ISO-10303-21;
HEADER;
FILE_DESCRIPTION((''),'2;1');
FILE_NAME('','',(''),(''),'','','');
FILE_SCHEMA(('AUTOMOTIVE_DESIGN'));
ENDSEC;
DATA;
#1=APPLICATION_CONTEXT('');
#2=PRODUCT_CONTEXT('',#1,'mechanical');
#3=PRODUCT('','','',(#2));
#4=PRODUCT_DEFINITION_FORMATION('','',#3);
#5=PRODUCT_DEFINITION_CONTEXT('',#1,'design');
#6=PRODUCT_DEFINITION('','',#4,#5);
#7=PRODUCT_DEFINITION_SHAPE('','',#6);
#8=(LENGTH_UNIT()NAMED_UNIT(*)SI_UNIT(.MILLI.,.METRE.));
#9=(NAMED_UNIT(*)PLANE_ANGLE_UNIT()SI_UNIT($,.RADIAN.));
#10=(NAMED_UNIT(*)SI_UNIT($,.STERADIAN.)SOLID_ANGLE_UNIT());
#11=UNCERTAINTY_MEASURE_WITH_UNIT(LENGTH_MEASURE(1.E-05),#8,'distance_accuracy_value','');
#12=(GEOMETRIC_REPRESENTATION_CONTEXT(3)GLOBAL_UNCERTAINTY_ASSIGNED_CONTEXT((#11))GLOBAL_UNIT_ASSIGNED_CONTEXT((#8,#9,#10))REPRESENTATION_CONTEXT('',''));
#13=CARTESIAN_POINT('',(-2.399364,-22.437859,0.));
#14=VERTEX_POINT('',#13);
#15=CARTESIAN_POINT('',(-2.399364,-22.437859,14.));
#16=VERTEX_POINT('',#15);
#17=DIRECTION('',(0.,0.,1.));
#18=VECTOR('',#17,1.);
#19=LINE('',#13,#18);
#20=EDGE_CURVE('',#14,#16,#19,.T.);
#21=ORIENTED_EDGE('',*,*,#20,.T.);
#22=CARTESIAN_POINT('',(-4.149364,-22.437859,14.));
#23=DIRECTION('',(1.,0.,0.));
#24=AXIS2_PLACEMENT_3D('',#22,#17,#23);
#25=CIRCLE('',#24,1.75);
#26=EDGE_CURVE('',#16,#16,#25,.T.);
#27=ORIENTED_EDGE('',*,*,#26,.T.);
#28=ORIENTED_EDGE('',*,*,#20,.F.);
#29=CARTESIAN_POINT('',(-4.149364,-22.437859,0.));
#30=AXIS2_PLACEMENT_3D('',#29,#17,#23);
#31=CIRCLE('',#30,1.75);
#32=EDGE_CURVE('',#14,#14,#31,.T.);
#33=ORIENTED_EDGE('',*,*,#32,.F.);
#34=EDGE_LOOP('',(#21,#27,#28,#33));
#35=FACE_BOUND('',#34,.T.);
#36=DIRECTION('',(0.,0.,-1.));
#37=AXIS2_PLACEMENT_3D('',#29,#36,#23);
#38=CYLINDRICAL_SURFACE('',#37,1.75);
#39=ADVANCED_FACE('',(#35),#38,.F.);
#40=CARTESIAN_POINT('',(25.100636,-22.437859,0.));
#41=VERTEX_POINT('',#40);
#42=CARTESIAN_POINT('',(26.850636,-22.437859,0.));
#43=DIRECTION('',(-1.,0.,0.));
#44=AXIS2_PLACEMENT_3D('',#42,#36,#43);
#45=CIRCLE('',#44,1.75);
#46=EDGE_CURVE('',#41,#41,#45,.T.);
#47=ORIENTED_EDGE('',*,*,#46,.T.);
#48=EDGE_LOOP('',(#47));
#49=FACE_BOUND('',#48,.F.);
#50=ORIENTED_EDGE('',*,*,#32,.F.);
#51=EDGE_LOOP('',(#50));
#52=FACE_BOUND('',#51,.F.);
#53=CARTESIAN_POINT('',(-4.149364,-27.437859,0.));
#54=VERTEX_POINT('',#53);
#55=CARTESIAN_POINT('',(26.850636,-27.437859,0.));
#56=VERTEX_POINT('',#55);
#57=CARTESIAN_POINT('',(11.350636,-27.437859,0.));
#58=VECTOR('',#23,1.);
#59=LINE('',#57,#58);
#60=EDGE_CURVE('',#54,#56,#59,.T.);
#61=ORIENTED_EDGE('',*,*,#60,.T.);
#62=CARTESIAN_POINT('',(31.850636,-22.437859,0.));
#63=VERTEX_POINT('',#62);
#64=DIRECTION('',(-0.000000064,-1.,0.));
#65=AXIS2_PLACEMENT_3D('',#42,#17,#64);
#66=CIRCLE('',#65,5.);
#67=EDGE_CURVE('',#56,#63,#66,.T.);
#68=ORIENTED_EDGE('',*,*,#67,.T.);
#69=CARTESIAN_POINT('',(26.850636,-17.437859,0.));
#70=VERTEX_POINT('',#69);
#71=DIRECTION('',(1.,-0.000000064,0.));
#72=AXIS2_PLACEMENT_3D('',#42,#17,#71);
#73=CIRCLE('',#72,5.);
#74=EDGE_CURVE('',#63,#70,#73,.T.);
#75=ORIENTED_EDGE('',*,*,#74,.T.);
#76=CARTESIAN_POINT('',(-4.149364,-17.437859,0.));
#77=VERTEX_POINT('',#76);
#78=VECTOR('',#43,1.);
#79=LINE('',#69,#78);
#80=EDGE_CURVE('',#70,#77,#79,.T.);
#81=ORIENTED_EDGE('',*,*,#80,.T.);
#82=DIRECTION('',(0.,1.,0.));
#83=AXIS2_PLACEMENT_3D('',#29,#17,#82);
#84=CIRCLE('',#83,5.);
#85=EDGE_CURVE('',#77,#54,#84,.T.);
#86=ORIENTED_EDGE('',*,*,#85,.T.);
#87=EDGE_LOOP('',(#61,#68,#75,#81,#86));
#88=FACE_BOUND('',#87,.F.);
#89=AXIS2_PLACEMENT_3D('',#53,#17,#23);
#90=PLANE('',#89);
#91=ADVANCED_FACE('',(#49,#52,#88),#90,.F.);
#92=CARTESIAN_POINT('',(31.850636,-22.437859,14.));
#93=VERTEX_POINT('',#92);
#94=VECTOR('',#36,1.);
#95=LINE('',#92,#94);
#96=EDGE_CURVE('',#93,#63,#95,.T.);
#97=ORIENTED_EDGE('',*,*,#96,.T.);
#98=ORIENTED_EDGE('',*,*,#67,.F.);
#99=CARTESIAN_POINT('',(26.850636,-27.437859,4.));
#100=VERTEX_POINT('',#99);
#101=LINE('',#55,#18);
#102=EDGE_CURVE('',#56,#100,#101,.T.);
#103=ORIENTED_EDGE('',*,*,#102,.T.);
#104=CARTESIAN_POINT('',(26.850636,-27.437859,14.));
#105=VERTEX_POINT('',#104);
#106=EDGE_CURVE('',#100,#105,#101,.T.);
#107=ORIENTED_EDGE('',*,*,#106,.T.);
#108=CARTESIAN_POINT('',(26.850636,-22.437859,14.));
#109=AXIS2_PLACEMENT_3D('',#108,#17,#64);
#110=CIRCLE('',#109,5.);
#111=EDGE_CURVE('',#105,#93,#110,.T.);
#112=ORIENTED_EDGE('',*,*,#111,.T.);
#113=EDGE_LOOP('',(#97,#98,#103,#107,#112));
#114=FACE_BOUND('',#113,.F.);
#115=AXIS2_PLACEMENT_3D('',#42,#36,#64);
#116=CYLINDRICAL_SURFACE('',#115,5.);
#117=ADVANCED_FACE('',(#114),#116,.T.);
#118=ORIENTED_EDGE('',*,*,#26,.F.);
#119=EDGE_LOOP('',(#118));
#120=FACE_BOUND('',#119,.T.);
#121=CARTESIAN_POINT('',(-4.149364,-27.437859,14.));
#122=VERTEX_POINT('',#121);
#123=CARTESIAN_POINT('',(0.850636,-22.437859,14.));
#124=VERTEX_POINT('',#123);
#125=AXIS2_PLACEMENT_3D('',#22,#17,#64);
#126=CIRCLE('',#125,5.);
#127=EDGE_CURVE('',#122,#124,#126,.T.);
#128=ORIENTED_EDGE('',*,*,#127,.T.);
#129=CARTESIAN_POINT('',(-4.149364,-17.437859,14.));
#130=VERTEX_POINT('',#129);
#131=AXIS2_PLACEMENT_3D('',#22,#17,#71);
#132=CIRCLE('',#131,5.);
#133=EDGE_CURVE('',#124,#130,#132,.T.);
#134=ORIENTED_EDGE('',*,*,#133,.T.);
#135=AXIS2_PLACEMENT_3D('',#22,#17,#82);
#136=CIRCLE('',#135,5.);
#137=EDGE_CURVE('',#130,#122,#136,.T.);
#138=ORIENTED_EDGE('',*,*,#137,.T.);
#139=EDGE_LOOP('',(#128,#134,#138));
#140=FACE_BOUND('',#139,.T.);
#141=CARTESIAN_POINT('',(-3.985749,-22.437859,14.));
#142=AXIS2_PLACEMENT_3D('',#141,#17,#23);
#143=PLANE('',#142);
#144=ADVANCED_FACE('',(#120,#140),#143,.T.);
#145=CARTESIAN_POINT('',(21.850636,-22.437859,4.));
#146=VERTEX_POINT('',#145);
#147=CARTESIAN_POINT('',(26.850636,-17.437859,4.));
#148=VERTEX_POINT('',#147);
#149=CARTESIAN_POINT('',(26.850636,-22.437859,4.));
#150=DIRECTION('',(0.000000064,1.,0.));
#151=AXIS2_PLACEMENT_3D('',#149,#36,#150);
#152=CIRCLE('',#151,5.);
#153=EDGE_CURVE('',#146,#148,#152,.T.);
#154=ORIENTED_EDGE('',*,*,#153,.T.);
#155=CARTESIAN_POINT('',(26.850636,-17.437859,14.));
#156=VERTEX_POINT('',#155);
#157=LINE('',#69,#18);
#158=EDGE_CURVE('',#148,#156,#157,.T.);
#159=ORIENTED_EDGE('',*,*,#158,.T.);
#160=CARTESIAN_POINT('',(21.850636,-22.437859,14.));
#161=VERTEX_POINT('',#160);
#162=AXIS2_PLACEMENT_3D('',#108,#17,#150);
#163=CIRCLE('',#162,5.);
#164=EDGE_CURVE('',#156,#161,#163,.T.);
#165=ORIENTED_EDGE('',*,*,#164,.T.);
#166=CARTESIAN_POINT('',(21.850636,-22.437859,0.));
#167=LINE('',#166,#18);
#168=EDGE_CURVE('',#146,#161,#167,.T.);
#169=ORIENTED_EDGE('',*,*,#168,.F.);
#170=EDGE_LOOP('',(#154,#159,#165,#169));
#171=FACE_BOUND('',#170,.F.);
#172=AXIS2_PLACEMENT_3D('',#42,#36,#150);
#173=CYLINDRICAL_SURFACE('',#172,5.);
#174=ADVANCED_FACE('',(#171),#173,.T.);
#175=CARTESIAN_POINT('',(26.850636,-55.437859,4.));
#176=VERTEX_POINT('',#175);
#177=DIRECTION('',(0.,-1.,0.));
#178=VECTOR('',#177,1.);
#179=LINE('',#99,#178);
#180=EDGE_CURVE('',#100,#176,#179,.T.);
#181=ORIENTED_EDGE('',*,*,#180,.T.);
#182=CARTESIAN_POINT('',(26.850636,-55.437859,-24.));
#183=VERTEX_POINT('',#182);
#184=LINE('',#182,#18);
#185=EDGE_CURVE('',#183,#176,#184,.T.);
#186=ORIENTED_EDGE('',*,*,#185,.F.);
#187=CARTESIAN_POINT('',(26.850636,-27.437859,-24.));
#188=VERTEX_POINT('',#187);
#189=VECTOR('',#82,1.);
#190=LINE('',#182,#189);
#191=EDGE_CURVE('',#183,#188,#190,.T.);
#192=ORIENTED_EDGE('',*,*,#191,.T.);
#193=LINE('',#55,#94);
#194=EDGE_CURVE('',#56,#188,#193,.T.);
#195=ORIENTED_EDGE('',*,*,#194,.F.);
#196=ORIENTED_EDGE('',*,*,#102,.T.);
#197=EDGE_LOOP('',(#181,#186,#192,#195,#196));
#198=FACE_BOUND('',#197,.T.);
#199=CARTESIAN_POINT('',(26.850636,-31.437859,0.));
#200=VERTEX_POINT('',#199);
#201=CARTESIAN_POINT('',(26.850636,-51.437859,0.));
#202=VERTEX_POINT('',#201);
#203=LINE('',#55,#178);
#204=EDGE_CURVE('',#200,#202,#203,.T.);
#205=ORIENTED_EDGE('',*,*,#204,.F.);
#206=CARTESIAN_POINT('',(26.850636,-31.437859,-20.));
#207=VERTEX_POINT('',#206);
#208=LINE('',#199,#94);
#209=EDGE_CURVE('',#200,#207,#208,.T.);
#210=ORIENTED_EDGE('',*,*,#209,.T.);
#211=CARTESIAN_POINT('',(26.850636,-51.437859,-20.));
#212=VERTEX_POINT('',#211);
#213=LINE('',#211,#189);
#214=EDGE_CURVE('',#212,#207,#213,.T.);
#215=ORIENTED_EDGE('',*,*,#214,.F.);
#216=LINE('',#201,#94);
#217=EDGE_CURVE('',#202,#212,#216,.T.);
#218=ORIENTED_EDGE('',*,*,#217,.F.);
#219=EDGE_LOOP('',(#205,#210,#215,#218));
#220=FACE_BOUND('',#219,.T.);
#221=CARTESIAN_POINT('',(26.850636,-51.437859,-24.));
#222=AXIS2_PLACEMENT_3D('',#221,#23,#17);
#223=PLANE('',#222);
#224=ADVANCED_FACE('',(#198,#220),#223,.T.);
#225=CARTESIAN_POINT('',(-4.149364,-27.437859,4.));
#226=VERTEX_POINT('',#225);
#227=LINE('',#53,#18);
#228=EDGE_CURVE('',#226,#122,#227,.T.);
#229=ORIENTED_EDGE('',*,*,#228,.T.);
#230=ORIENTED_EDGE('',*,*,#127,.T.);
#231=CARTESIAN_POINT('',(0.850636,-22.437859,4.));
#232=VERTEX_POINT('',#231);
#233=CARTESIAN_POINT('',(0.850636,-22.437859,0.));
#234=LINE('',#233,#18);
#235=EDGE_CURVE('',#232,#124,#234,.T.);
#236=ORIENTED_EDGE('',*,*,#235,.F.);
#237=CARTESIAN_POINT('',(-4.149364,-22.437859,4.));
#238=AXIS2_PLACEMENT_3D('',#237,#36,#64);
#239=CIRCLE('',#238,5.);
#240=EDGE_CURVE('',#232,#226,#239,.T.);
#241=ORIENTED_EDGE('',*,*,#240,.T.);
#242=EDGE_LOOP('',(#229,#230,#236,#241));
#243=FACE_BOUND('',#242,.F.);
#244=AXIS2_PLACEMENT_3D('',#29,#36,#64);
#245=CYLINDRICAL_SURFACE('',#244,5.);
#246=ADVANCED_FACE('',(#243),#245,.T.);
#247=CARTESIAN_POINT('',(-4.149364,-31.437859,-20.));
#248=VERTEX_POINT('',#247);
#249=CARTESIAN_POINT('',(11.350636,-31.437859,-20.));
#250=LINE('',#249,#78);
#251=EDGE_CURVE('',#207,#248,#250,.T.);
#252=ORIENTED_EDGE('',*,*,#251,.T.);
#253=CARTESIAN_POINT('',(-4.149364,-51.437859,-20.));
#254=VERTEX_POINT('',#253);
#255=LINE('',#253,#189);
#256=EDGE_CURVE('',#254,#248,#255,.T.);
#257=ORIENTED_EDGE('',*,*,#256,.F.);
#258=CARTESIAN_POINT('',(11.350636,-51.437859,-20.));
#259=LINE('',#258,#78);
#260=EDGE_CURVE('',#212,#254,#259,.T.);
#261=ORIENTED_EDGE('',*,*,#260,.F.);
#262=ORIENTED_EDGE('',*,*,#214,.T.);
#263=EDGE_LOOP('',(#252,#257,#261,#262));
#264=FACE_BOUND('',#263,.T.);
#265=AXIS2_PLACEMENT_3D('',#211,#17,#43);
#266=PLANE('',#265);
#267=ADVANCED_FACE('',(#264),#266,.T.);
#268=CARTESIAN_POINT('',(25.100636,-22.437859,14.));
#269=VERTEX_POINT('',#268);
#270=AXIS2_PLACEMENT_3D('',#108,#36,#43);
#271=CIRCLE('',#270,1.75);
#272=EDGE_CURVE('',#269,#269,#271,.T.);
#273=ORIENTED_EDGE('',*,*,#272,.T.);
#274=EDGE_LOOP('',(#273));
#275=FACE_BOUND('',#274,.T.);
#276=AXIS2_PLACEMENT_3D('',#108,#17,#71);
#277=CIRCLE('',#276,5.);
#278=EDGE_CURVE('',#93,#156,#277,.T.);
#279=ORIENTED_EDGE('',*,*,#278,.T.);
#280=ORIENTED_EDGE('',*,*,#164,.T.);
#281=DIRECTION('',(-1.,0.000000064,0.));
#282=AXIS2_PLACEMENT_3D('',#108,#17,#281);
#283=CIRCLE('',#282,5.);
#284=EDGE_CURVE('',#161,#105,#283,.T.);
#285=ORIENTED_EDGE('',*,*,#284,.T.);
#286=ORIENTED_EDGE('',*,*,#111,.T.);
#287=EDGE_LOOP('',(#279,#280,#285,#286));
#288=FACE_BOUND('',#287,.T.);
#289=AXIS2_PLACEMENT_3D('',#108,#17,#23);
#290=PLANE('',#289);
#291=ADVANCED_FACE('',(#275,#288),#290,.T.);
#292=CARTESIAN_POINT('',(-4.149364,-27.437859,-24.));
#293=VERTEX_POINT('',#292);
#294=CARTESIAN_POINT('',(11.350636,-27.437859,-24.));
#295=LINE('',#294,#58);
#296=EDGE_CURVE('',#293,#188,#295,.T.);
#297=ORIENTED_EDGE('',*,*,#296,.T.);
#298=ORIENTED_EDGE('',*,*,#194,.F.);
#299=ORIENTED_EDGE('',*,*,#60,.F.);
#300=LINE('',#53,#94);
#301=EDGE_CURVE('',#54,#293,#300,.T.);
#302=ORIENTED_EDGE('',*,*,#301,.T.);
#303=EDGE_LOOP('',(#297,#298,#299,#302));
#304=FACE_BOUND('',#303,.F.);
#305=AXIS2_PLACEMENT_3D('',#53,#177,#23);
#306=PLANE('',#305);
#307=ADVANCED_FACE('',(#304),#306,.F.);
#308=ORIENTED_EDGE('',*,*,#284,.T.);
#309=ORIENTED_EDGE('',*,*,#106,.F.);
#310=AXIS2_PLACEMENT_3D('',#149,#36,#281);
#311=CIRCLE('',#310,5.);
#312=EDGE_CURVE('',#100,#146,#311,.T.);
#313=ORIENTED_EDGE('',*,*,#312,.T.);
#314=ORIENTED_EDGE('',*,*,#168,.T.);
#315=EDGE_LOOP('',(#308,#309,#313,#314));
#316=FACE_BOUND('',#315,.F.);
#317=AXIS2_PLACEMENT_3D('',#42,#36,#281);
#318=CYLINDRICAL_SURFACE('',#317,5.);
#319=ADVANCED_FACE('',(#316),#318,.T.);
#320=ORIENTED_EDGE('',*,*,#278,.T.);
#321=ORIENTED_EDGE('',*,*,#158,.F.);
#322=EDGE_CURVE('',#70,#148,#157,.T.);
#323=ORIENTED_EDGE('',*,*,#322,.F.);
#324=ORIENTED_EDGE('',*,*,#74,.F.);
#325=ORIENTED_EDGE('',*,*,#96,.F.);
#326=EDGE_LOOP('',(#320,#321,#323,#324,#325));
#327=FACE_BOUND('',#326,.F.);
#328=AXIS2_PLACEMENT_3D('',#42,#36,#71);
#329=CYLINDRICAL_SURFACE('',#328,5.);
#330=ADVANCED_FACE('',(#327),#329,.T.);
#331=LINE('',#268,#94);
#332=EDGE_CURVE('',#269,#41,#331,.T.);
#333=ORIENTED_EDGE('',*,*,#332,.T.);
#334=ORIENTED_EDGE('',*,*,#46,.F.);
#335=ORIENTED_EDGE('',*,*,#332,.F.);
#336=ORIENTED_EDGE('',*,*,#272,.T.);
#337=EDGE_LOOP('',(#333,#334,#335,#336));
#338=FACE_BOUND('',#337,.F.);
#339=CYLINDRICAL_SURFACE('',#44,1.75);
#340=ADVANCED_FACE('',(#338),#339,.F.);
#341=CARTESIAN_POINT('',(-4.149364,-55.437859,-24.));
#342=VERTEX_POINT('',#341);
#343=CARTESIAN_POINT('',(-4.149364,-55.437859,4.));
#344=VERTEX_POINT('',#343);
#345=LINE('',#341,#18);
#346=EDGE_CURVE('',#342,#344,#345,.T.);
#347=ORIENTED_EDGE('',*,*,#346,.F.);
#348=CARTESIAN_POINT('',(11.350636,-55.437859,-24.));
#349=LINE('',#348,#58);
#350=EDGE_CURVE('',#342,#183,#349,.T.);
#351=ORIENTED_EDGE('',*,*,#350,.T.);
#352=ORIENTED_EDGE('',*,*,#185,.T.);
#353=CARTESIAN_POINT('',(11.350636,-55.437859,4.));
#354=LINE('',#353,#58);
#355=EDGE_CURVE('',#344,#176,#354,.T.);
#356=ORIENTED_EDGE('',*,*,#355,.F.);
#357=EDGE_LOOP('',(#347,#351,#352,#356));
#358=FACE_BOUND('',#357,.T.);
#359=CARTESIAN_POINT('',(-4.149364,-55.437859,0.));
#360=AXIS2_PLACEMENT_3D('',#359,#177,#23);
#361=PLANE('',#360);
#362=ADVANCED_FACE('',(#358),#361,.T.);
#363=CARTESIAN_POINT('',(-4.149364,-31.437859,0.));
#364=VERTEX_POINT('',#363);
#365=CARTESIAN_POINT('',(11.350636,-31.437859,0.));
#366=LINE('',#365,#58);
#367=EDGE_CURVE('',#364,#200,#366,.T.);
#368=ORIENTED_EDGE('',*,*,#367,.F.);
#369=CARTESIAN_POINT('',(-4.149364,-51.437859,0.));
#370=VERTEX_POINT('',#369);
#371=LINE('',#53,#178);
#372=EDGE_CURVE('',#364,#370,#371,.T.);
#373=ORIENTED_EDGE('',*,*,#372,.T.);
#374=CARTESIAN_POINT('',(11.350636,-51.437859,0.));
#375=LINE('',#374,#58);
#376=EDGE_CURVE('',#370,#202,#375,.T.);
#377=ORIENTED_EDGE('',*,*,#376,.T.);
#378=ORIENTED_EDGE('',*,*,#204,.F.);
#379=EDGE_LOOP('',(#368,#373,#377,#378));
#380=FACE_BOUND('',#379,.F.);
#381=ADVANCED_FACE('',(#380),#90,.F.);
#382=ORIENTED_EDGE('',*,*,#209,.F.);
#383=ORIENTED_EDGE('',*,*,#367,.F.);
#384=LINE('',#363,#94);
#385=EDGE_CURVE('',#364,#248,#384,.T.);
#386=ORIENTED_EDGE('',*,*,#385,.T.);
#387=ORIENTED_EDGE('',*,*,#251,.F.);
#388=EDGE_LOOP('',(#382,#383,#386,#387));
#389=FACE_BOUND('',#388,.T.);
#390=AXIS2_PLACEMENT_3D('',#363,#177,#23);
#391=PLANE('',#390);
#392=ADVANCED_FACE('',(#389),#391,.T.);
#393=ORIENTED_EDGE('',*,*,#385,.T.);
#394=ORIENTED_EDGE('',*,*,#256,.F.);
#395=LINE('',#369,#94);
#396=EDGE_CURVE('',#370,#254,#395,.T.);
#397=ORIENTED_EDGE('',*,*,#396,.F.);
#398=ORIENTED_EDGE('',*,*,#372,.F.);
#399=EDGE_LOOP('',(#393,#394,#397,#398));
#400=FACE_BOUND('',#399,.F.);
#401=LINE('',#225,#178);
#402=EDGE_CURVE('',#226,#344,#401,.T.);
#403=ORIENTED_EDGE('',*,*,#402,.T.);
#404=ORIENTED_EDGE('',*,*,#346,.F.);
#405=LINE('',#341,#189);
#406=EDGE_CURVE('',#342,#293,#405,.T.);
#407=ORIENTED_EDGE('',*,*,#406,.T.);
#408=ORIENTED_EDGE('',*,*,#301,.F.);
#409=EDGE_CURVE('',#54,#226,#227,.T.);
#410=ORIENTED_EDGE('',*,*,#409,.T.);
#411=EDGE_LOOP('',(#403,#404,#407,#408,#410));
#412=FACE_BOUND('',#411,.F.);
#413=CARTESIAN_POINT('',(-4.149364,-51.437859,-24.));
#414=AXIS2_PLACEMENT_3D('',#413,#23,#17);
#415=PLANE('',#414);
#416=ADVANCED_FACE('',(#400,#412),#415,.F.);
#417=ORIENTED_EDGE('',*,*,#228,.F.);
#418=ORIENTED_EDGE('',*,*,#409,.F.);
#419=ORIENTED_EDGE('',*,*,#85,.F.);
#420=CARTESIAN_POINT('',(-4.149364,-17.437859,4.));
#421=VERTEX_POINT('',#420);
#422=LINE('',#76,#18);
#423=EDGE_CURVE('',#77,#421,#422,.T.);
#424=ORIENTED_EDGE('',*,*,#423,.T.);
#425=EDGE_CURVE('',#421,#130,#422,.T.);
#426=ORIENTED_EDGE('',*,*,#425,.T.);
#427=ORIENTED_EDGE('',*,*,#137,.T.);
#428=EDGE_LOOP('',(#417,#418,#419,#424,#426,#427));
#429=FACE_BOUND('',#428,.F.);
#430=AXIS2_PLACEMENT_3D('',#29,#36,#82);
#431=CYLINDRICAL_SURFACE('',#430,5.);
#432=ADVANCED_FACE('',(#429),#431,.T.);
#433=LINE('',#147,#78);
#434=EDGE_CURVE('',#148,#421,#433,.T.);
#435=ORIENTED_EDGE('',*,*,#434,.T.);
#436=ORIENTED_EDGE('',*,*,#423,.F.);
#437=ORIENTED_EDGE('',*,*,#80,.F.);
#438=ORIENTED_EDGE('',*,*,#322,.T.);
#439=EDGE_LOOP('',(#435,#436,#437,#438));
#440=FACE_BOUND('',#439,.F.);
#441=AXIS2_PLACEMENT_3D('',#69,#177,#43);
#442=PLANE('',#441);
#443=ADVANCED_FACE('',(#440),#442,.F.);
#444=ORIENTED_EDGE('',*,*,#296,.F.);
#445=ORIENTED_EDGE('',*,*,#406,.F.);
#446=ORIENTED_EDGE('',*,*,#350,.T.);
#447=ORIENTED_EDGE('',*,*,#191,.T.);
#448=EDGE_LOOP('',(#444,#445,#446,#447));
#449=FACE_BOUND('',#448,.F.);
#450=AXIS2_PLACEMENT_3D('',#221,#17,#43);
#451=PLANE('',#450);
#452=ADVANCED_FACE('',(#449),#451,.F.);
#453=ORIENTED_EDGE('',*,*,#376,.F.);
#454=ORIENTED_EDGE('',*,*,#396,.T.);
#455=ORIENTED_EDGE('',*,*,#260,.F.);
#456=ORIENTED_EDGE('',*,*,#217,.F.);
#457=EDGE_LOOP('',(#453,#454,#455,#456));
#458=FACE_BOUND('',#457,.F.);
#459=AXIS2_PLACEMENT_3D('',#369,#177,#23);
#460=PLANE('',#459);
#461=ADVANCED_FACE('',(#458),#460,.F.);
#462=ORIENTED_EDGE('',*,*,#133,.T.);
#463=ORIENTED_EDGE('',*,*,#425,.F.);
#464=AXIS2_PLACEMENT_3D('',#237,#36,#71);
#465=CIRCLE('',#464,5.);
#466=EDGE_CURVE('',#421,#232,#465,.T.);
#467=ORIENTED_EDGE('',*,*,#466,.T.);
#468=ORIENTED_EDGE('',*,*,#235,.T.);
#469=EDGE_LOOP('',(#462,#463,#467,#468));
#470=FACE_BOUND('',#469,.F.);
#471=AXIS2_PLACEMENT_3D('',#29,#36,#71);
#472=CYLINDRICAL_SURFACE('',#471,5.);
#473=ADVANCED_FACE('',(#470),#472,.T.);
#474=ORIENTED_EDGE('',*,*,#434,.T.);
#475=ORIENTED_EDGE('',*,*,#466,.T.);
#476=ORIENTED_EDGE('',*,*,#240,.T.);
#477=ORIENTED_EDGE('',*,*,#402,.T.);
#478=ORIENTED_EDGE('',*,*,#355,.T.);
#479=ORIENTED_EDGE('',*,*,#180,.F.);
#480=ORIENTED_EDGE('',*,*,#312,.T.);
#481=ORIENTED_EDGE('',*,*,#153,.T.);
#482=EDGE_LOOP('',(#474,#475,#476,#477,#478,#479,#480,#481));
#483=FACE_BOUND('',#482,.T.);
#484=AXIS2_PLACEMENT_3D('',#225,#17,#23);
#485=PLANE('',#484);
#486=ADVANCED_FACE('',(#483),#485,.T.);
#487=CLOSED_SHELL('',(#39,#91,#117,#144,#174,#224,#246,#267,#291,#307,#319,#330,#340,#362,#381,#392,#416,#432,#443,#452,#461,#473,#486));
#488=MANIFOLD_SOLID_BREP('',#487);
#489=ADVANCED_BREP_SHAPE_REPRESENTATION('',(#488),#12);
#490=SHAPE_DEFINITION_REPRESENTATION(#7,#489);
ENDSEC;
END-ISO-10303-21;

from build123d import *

# Parameters (mm, degrees)
F0_R      = 1.75
F1_DEPTH  = 4
F2_DEPTH  = 14
F1_FACE_W = 31
F1_FACE_H = 4
F3_DEPTH  = 28
F4_W      = 31
F4_H      = 4
F5_DEPTH  = 24
F7_W      = 31
F7_H      = 4
F8_DEPTH  = 24
F6_W      = 31
F6_H      = 4
F9_DEPTH  = 20


with BuildPart() as f1:
    # F0 (on Top) → F1 (new body)
    with BuildSketch(Plane.XY):
        with BuildLine():
            ThreePointArc((-4.149364, -27.437859), (-0.61383, -25.973393), (0.850636, -22.437859))
            ThreePointArc((0.850636, -22.437859), (-0.61383, -18.902325), (-4.149364, -17.437859))
            ThreePointArc((-4.149364, -17.437859), (-9.149364, -22.437859), (-4.149364, -27.437859))
        make_face()
        with Locations((-4.149364, -22.437859)):
            Circle(F0_R, mode=Mode.SUBTRACT)
        with BuildLine():
            ThreePointArc((-4.149364, -17.437859), (-0.61383, -18.902325), (0.850636, -22.437859))
            Line((0.850636, -22.437859), (21.850636, -22.437859))
            ThreePointArc((21.850636, -22.437859), (23.315102, -18.902325), (26.850636, -17.437859))
            Line((26.850636, -17.437859), (-4.149364, -17.437859))
        make_face()
        with BuildLine():
            ThreePointArc((26.850636, -17.437859), (23.315102, -18.902325), (21.850636, -22.437859))
            ThreePointArc((21.850636, -22.437859), (23.315102, -25.973393), (26.850636, -27.437859))
            ThreePointArc((26.850636, -27.437859), (30.38617, -25.973393), (31.850636, -22.437859))
            ThreePointArc((31.850636, -22.437859), (30.38617, -18.902325), (26.850636, -17.437859))
        make_face()
        with BuildLine():
            ThreePointArc((28.600636, -22.437859), (26.850636, -24.187859), (25.100636, -22.437859))
            ThreePointArc((25.100636, -22.437859), (26.850636, -20.687859), (28.600636, -22.437859))
        make_face(mode=Mode.SUBTRACT)
        with BuildLine():
            Line((21.850636, -22.437859), (0.850636, -22.437859))
            ThreePointArc((0.850636, -22.437859), (-0.61383, -25.973393), (-4.149364, -27.437859))
            Line((-4.149364, -27.437859), (26.850636, -27.437859))
            ThreePointArc((26.850636, -27.437859), (23.315102, -25.973393), (21.850636, -22.437859))
        make_face()
    extrude(amount=F1_DEPTH)

    # F0 (on Top) → F2 (join)
    with BuildSketch(Plane.XY):
        with BuildLine():
            ThreePointArc((-4.149364, -27.437859), (-0.61383, -25.973393), (0.850636, -22.437859))
            ThreePointArc((0.850636, -22.437859), (-0.61383, -18.902325), (-4.149364, -17.437859))
            ThreePointArc((-4.149364, -17.437859), (-9.149364, -22.437859), (-4.149364, -27.437859))
        make_face()
        with Locations((-4.149364, -22.437859)):
            Circle(F0_R, mode=Mode.SUBTRACT)
        with BuildLine():
            ThreePointArc((26.850636, -17.437859), (23.315102, -18.902325), (21.850636, -22.437859))
            ThreePointArc((21.850636, -22.437859), (23.315102, -25.973393), (26.850636, -27.437859))
            ThreePointArc((26.850636, -27.437859), (30.38617, -25.973393), (31.850636, -22.437859))
            ThreePointArc((31.850636, -22.437859), (30.38617, -18.902325), (26.850636, -17.437859))
        make_face()
        with BuildLine():
            ThreePointArc((28.600636, -22.437859), (26.850636, -24.187859), (25.100636, -22.437859))
            ThreePointArc((25.100636, -22.437859), (26.850636, -20.687859), (28.600636, -22.437859))
        make_face(mode=Mode.SUBTRACT)
    extrude(amount=F2_DEPTH)

    # F1_face (on face) → F3 (join)
    with BuildSketch(Plane(origin=(11.350636, -27.437859, 2), x_dir=(1, 0, 0), z_dir=(0, -1, 0))):
        Rectangle(F1_FACE_W, F1_FACE_H)
    extrude(amount=F3_DEPTH)

    # F4 (on face) → F5 (join)
    with BuildSketch(Plane(origin=(0, 0, 0), x_dir=(1, 0, 0), z_dir=(0, 0, -1))):
        with Locations((11.350636, 53.437859)):
            Rectangle(F4_W, F4_H)
    extrude(amount=F5_DEPTH)

    # F7 (on face) → F8 (join)
    with BuildSketch(Plane(origin=(0, 0, 0), x_dir=(1, 0, 0), z_dir=(0, 0, -1))):
        with Locations((11.350636, 29.437859)):
            Rectangle(F7_W, F7_H)
    extrude(amount=F8_DEPTH)

    # F6 (on face) → F9 (join, through all)
    with BuildSketch(Plane(origin=(0, -51.437859, 0), x_dir=(-1, 0, 0), z_dir=(0, 1, 0))):
        with Locations((-11.350636, -22)):
            Rectangle(F6_W, F6_H)
    extrude(amount=F9_DEPTH)


solid = f1.part
